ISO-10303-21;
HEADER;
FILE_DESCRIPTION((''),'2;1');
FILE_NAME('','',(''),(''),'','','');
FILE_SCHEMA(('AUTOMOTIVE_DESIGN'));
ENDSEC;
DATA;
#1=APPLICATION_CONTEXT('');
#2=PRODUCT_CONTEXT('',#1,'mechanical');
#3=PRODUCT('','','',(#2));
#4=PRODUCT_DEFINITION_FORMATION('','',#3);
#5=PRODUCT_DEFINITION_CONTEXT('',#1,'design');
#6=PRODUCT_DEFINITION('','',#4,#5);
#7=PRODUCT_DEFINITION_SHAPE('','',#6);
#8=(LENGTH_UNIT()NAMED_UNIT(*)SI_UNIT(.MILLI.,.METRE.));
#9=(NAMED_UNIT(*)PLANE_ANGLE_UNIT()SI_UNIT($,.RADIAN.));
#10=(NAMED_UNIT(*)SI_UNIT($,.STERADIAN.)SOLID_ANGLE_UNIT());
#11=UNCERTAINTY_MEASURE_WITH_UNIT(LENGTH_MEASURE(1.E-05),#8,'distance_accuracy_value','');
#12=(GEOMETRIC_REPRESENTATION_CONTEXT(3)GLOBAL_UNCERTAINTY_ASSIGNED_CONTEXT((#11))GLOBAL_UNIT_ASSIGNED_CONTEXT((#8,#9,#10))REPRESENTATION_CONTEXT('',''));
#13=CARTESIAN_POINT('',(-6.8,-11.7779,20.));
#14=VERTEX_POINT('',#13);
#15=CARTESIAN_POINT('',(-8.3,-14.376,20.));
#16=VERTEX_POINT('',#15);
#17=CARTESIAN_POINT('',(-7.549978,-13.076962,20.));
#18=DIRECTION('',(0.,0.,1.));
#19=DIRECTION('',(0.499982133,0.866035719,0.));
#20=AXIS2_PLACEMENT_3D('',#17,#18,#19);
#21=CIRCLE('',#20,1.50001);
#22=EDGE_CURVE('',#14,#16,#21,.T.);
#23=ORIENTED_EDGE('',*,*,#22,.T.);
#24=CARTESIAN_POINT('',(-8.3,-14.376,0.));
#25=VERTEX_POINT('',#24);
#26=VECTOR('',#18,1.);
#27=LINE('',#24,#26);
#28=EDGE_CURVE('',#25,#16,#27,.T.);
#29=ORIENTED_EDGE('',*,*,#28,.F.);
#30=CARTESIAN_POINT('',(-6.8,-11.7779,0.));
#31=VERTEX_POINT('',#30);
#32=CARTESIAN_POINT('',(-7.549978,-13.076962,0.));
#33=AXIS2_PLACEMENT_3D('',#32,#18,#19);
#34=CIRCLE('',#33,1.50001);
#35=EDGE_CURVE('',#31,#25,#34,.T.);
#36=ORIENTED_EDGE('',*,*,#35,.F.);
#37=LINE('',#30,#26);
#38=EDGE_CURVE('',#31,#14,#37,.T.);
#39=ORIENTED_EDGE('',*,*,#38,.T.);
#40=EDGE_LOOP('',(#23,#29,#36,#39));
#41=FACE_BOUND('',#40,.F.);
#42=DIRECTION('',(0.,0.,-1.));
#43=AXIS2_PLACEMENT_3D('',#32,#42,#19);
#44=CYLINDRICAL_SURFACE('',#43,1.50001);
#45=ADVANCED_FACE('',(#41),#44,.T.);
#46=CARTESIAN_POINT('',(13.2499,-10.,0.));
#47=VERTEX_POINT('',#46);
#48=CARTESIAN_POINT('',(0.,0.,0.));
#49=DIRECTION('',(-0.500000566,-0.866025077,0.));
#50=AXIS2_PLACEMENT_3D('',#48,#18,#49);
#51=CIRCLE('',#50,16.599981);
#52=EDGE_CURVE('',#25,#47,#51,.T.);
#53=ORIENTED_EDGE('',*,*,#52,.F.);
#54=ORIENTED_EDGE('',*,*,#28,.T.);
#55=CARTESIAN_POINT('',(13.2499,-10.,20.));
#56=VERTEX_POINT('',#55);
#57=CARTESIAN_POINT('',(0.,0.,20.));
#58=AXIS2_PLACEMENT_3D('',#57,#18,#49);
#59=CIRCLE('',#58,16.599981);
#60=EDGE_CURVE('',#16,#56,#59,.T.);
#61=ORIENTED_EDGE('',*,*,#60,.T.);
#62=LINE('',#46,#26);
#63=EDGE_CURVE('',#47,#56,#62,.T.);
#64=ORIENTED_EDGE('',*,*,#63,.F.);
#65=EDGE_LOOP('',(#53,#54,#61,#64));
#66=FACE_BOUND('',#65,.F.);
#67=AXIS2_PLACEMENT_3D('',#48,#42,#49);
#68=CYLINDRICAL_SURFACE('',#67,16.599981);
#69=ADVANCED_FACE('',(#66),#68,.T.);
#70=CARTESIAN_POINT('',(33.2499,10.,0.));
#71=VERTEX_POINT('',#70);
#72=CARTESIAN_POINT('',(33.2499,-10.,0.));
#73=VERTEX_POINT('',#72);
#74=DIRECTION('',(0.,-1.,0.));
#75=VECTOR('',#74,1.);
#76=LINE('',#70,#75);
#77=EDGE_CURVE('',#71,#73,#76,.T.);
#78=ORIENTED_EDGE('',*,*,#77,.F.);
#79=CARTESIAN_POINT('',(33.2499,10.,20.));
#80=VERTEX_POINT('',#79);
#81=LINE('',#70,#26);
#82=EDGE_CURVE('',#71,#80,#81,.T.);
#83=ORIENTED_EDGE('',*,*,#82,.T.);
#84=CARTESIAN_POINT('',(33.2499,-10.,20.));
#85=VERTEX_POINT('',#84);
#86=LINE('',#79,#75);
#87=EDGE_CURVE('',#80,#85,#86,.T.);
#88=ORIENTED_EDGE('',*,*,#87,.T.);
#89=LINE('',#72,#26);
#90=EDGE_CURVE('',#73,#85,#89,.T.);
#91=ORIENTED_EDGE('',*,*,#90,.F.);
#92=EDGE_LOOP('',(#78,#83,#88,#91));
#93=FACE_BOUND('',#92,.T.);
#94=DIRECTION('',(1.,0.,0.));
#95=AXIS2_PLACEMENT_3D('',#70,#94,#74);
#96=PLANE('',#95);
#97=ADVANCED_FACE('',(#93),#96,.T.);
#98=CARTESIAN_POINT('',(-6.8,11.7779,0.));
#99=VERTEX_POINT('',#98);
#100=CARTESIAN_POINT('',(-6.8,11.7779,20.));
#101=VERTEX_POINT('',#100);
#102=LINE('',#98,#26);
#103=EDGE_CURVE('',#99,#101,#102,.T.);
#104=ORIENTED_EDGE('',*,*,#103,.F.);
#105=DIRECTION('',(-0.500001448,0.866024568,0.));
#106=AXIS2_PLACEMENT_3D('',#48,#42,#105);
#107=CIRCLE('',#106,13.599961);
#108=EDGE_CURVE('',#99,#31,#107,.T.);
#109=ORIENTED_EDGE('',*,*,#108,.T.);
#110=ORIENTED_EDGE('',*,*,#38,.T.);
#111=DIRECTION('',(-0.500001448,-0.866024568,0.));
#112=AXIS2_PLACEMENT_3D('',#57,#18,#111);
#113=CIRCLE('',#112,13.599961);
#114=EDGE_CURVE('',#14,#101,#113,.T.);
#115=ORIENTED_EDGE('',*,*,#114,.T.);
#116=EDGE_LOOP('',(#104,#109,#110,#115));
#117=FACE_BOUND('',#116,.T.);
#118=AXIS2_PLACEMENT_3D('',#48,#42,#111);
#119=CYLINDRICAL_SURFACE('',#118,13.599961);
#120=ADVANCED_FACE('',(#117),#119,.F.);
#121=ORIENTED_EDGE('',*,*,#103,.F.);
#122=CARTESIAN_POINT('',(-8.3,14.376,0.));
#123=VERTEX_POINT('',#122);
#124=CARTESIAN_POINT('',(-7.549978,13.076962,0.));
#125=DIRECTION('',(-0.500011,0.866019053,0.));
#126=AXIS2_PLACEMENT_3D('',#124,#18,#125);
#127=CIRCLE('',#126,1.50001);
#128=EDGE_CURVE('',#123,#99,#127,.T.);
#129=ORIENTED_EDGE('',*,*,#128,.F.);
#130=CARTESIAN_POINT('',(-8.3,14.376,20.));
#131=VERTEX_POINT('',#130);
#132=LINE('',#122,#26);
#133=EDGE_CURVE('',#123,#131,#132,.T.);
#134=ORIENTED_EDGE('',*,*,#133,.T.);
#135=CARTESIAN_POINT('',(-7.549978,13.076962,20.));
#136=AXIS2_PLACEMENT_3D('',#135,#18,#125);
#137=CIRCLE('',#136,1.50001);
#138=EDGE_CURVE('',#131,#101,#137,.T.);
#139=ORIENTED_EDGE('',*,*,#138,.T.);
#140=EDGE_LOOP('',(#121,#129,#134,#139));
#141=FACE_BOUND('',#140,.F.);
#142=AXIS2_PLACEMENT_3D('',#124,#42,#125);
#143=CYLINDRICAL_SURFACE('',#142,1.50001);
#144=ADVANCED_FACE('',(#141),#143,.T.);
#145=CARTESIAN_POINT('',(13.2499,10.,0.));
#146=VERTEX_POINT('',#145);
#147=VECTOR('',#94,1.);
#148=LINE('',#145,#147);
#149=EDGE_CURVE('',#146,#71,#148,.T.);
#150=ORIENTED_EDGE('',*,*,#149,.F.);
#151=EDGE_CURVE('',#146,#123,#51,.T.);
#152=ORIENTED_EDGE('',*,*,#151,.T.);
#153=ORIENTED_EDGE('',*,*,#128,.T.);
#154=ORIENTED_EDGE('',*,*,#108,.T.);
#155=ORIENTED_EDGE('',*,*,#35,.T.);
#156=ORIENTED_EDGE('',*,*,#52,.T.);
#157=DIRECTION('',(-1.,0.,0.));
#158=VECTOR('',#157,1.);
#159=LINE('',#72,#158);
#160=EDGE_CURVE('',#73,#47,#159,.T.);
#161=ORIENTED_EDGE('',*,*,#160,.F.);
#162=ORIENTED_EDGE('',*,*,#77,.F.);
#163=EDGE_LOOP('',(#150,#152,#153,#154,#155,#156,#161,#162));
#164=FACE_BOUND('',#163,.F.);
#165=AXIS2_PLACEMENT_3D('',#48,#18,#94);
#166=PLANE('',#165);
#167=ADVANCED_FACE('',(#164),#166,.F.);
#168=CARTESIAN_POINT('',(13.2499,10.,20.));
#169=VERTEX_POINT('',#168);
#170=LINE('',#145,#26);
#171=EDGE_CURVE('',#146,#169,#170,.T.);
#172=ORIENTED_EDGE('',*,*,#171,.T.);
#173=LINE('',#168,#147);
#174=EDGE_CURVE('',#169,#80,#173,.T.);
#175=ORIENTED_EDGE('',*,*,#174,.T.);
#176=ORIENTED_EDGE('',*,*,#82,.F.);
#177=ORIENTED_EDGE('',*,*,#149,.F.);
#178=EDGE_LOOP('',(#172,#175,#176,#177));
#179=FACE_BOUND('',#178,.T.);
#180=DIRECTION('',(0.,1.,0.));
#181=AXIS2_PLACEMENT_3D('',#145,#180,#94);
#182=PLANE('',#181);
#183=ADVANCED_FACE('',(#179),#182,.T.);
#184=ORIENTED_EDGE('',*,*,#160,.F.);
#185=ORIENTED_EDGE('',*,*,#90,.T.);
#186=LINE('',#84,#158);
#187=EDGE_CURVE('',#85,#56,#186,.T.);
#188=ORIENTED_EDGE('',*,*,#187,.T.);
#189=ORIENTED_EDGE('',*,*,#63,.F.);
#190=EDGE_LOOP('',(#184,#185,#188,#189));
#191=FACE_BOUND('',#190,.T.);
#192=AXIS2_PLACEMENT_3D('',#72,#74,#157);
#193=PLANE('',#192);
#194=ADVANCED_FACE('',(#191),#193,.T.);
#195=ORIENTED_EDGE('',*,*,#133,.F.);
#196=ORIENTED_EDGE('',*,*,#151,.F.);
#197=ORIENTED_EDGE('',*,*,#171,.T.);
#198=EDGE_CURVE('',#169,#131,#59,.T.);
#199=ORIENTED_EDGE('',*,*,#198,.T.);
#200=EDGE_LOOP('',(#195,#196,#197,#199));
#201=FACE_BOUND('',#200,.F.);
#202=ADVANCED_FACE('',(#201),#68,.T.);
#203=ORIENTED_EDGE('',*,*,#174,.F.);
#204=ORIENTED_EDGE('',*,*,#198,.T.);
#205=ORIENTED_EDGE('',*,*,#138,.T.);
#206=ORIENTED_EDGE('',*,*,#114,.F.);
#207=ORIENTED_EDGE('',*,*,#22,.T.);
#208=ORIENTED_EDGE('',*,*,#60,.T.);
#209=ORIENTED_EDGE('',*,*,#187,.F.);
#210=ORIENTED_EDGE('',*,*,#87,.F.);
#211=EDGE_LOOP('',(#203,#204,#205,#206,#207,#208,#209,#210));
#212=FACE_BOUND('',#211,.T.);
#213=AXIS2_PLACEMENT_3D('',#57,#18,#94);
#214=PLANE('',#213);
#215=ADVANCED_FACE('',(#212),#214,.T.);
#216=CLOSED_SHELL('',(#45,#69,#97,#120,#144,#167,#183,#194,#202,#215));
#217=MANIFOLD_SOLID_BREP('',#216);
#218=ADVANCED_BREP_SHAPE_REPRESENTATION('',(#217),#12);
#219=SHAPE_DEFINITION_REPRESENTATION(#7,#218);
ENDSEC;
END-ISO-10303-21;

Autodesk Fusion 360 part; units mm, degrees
sketch "Sketch1" plane through (0, 0, 0) normal (0, 0, 1) x (1, 0, 0)
  arc A0 (-6.8, -11.7779) -> (-6.8, 11.7779) centre (0, 0) ccw
  line L0 (0, 0) -> (-6.8, -11.7779) construction
  line L1 (0, 0) -> (-6.8, 11.7779) construction
  arc A1 (-8.3, -14.376) -> (-8.3, 14.376) centre (0, 0) ccw
  arc A2 (-8.3, 14.376) -> (-6.8, 11.7779) centre (-7.55, 13.077) ccw
  arc A3 (-6.8, -11.7779) -> (-8.3, -14.376) centre (-7.55, -13.077) ccw
  line L2 (13.2499, 10) -> (33.2499, 10)
  line L3 (33.2499, 10) -> (33.2499, -10)
  line L4 (33.2499, -10) -> (13.2499, -10)
  line L5 (13.2499, -10) -> (13.2499, -3.0659)
  line L6 (13.2499, 3.0659) -> (13.2499, 10)
  dimension "d1" = 13.6
  dimension "d2" = 120
  dimension "d3" = 3
  dimension "d4" = 20
  dimension "d5" = 20
extrude "Extrude1" add sketch "Sketch1" along normal blind 20
